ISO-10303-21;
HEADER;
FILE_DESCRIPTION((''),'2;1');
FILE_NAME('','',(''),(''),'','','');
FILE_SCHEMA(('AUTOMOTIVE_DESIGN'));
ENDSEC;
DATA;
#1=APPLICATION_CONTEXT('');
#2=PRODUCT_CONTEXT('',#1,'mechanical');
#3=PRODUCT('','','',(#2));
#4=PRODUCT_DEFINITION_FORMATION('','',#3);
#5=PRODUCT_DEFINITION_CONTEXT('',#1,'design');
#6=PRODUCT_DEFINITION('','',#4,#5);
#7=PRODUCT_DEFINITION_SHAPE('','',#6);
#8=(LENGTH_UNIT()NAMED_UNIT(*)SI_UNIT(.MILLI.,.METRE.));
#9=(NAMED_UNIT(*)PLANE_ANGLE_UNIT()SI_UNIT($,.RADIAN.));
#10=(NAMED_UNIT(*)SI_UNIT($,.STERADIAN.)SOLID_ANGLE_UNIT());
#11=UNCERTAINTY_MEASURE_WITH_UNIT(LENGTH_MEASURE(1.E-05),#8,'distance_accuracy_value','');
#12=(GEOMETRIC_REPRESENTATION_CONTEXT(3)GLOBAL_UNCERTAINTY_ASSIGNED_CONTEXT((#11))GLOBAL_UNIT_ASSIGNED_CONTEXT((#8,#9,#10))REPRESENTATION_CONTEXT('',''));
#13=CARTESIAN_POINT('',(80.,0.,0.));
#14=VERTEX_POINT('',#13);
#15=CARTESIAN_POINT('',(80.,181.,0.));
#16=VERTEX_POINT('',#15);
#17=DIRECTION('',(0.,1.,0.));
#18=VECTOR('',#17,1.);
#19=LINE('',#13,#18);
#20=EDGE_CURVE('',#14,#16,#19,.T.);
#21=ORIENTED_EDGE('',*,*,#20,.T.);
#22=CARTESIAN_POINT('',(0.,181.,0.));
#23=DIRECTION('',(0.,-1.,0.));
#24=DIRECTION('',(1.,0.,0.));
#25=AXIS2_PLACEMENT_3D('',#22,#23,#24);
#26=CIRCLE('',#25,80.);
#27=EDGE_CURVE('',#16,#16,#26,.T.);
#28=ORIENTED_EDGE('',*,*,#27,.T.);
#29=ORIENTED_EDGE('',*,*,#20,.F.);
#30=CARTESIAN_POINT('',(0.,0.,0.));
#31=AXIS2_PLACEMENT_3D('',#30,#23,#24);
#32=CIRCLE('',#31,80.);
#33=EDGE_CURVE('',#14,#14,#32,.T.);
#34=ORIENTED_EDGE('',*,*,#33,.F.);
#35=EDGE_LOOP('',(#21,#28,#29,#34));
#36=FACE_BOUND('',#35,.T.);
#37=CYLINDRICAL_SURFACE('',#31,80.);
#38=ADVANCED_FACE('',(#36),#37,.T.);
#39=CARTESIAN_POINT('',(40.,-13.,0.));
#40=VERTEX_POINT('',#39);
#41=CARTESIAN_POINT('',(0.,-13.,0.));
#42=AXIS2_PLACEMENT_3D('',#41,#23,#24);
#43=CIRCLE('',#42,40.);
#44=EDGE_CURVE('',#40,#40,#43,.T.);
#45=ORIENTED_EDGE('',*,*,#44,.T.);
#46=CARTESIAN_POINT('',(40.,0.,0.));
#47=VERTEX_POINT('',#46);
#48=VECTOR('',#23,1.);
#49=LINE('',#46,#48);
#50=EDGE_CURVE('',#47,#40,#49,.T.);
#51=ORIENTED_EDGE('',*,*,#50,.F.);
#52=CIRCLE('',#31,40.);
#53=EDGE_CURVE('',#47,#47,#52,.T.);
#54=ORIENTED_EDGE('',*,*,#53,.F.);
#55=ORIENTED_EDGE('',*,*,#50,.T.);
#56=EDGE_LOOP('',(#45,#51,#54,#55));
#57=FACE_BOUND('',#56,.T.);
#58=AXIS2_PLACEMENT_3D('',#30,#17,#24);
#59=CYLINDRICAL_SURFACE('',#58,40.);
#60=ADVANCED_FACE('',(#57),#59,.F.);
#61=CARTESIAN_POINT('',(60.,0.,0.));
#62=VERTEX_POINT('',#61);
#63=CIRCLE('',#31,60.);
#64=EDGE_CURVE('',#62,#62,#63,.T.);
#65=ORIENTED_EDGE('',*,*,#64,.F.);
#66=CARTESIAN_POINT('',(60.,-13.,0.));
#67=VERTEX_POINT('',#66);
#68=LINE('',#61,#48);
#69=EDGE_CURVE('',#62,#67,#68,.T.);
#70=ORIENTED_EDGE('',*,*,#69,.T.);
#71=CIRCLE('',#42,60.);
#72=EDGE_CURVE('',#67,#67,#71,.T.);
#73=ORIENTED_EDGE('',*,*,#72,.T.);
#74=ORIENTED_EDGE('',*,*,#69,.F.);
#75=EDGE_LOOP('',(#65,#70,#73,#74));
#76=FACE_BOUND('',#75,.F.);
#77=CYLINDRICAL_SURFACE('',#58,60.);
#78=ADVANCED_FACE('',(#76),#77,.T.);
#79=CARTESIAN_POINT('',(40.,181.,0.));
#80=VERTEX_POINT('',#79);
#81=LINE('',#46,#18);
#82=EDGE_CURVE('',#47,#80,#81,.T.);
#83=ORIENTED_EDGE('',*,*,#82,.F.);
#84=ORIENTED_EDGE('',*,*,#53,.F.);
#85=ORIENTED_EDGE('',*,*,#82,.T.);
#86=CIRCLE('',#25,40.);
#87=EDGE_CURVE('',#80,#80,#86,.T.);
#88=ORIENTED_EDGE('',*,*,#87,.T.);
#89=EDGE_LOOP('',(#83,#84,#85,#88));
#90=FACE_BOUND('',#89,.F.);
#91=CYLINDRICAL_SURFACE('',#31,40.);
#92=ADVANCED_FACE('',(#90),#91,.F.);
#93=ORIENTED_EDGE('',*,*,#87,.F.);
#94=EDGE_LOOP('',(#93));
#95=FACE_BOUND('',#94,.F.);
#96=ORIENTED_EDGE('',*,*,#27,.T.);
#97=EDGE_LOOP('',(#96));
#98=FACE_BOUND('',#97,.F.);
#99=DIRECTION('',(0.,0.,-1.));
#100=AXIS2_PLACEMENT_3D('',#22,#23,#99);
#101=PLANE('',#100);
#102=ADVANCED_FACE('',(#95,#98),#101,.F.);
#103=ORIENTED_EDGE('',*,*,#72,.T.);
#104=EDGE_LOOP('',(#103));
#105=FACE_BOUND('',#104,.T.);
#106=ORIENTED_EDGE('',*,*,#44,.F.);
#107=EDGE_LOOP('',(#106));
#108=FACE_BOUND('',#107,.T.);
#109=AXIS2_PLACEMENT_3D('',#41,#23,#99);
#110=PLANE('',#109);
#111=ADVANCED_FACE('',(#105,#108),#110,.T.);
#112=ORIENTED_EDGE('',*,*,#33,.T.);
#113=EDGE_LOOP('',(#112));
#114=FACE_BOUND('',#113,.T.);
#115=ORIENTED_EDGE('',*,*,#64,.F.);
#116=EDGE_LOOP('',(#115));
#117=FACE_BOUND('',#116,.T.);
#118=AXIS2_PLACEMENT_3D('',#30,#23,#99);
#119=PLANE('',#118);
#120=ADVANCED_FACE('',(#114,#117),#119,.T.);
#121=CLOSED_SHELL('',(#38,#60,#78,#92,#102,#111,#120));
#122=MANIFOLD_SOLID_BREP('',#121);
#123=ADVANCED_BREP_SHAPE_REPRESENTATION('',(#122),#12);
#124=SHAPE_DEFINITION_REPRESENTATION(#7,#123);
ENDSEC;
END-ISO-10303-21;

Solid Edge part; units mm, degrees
sketch "Sketch1" plane through (0, 0, 0) normal (0, -1, 0) x (1, 0, 0)
  circle A0 centre (0, 0) radius 40
  circle A1 centre (0, 0) radius 80
extrude "Protrusion1" add sketch "Sketch1" against normal blind 181
sketch "Sketch2" plane through (0, 0, 0) normal (0, -1, 0) x (1, 0, 0)
  circle A0 centre (0, 0) radius 40
  circle A1 centre (0, 0) radius 60
extrude "ExtrudedProtrusion_2" add sketch "Sketch2" along normal blind 13
properties material "Aluminum, 6061-T6"
